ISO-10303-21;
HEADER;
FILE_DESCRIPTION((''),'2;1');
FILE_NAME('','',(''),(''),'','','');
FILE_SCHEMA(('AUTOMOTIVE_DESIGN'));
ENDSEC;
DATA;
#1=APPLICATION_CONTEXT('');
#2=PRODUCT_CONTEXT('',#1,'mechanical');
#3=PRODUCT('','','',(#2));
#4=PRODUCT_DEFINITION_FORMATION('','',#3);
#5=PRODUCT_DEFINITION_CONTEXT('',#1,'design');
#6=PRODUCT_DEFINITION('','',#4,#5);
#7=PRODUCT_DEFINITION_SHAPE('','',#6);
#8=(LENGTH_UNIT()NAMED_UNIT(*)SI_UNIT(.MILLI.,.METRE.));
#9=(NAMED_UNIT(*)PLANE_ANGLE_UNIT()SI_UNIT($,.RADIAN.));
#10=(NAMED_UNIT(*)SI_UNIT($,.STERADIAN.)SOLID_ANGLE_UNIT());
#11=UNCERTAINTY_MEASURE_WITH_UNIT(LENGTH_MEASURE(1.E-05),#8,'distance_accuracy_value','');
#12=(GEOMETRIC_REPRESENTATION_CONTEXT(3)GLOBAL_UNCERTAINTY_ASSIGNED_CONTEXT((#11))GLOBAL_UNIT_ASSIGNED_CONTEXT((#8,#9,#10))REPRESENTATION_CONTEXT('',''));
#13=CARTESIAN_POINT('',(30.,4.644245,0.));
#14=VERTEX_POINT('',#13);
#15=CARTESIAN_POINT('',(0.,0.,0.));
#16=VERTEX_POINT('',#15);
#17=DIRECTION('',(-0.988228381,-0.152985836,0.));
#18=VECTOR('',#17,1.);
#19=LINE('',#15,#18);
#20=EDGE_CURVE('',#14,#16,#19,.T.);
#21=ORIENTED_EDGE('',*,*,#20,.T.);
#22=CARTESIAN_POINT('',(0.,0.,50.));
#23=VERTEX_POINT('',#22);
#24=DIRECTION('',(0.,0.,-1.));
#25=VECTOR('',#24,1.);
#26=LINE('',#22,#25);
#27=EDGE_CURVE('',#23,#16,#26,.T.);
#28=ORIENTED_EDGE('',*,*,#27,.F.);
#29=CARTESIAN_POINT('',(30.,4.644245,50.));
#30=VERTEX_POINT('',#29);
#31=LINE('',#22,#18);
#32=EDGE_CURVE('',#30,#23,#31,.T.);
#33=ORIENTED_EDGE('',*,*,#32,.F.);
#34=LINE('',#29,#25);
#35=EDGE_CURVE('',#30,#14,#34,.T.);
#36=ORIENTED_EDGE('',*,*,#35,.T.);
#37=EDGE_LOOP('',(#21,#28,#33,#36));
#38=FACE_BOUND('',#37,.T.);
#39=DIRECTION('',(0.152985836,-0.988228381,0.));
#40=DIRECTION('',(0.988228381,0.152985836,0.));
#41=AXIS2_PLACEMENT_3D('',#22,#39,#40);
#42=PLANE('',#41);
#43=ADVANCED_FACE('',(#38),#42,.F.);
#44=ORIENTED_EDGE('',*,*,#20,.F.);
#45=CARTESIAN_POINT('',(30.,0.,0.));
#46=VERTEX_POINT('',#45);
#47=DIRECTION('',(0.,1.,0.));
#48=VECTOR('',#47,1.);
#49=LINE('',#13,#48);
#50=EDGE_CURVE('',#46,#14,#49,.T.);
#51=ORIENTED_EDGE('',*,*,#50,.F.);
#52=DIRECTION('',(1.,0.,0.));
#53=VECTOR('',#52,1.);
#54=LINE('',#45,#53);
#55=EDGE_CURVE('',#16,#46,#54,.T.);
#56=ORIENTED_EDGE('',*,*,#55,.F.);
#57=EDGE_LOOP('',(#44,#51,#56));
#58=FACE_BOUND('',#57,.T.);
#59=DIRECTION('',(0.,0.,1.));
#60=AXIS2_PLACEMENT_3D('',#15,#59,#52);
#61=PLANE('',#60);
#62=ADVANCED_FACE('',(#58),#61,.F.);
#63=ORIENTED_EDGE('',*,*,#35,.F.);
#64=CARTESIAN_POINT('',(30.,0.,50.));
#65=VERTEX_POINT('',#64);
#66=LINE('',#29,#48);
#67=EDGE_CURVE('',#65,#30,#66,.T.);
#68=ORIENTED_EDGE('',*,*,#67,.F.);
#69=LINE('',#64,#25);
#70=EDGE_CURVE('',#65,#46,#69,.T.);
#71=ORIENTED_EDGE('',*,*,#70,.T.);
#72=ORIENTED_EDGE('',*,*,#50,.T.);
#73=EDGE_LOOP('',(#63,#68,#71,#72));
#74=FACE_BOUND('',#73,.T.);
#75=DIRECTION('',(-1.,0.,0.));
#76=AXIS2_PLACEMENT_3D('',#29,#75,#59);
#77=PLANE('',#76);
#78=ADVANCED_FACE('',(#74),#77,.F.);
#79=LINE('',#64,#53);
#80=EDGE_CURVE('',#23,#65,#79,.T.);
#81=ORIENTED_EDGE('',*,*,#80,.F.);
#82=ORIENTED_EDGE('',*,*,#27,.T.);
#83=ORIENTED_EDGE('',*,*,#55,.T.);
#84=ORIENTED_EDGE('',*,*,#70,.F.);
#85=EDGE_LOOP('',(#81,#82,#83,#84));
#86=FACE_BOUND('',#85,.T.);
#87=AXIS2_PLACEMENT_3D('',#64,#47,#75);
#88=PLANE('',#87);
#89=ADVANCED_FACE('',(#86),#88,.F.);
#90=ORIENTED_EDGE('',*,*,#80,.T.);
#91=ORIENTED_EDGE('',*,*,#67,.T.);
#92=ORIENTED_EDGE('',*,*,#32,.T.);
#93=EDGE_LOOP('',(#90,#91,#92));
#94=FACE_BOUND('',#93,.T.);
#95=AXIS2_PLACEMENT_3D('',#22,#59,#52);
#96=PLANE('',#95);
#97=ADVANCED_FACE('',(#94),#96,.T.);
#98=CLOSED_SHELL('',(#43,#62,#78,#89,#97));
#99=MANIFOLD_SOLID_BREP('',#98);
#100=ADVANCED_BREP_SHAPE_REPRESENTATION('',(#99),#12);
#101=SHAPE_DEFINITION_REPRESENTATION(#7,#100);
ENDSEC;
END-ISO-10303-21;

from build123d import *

# Parameters (mm, degrees)
BOSS_EXTRUDE1_DEPTH = 50


with BuildPart() as part:
    # Sketch1 → Boss-Extrude1 (new body)
    with BuildSketch(Plane.XY):
        Polygon((0, 0), (30, 4.644245374), (30, 0), align=None)
    extrude(amount=BOSS_EXTRUDE1_DEPTH)


solid = part.part
